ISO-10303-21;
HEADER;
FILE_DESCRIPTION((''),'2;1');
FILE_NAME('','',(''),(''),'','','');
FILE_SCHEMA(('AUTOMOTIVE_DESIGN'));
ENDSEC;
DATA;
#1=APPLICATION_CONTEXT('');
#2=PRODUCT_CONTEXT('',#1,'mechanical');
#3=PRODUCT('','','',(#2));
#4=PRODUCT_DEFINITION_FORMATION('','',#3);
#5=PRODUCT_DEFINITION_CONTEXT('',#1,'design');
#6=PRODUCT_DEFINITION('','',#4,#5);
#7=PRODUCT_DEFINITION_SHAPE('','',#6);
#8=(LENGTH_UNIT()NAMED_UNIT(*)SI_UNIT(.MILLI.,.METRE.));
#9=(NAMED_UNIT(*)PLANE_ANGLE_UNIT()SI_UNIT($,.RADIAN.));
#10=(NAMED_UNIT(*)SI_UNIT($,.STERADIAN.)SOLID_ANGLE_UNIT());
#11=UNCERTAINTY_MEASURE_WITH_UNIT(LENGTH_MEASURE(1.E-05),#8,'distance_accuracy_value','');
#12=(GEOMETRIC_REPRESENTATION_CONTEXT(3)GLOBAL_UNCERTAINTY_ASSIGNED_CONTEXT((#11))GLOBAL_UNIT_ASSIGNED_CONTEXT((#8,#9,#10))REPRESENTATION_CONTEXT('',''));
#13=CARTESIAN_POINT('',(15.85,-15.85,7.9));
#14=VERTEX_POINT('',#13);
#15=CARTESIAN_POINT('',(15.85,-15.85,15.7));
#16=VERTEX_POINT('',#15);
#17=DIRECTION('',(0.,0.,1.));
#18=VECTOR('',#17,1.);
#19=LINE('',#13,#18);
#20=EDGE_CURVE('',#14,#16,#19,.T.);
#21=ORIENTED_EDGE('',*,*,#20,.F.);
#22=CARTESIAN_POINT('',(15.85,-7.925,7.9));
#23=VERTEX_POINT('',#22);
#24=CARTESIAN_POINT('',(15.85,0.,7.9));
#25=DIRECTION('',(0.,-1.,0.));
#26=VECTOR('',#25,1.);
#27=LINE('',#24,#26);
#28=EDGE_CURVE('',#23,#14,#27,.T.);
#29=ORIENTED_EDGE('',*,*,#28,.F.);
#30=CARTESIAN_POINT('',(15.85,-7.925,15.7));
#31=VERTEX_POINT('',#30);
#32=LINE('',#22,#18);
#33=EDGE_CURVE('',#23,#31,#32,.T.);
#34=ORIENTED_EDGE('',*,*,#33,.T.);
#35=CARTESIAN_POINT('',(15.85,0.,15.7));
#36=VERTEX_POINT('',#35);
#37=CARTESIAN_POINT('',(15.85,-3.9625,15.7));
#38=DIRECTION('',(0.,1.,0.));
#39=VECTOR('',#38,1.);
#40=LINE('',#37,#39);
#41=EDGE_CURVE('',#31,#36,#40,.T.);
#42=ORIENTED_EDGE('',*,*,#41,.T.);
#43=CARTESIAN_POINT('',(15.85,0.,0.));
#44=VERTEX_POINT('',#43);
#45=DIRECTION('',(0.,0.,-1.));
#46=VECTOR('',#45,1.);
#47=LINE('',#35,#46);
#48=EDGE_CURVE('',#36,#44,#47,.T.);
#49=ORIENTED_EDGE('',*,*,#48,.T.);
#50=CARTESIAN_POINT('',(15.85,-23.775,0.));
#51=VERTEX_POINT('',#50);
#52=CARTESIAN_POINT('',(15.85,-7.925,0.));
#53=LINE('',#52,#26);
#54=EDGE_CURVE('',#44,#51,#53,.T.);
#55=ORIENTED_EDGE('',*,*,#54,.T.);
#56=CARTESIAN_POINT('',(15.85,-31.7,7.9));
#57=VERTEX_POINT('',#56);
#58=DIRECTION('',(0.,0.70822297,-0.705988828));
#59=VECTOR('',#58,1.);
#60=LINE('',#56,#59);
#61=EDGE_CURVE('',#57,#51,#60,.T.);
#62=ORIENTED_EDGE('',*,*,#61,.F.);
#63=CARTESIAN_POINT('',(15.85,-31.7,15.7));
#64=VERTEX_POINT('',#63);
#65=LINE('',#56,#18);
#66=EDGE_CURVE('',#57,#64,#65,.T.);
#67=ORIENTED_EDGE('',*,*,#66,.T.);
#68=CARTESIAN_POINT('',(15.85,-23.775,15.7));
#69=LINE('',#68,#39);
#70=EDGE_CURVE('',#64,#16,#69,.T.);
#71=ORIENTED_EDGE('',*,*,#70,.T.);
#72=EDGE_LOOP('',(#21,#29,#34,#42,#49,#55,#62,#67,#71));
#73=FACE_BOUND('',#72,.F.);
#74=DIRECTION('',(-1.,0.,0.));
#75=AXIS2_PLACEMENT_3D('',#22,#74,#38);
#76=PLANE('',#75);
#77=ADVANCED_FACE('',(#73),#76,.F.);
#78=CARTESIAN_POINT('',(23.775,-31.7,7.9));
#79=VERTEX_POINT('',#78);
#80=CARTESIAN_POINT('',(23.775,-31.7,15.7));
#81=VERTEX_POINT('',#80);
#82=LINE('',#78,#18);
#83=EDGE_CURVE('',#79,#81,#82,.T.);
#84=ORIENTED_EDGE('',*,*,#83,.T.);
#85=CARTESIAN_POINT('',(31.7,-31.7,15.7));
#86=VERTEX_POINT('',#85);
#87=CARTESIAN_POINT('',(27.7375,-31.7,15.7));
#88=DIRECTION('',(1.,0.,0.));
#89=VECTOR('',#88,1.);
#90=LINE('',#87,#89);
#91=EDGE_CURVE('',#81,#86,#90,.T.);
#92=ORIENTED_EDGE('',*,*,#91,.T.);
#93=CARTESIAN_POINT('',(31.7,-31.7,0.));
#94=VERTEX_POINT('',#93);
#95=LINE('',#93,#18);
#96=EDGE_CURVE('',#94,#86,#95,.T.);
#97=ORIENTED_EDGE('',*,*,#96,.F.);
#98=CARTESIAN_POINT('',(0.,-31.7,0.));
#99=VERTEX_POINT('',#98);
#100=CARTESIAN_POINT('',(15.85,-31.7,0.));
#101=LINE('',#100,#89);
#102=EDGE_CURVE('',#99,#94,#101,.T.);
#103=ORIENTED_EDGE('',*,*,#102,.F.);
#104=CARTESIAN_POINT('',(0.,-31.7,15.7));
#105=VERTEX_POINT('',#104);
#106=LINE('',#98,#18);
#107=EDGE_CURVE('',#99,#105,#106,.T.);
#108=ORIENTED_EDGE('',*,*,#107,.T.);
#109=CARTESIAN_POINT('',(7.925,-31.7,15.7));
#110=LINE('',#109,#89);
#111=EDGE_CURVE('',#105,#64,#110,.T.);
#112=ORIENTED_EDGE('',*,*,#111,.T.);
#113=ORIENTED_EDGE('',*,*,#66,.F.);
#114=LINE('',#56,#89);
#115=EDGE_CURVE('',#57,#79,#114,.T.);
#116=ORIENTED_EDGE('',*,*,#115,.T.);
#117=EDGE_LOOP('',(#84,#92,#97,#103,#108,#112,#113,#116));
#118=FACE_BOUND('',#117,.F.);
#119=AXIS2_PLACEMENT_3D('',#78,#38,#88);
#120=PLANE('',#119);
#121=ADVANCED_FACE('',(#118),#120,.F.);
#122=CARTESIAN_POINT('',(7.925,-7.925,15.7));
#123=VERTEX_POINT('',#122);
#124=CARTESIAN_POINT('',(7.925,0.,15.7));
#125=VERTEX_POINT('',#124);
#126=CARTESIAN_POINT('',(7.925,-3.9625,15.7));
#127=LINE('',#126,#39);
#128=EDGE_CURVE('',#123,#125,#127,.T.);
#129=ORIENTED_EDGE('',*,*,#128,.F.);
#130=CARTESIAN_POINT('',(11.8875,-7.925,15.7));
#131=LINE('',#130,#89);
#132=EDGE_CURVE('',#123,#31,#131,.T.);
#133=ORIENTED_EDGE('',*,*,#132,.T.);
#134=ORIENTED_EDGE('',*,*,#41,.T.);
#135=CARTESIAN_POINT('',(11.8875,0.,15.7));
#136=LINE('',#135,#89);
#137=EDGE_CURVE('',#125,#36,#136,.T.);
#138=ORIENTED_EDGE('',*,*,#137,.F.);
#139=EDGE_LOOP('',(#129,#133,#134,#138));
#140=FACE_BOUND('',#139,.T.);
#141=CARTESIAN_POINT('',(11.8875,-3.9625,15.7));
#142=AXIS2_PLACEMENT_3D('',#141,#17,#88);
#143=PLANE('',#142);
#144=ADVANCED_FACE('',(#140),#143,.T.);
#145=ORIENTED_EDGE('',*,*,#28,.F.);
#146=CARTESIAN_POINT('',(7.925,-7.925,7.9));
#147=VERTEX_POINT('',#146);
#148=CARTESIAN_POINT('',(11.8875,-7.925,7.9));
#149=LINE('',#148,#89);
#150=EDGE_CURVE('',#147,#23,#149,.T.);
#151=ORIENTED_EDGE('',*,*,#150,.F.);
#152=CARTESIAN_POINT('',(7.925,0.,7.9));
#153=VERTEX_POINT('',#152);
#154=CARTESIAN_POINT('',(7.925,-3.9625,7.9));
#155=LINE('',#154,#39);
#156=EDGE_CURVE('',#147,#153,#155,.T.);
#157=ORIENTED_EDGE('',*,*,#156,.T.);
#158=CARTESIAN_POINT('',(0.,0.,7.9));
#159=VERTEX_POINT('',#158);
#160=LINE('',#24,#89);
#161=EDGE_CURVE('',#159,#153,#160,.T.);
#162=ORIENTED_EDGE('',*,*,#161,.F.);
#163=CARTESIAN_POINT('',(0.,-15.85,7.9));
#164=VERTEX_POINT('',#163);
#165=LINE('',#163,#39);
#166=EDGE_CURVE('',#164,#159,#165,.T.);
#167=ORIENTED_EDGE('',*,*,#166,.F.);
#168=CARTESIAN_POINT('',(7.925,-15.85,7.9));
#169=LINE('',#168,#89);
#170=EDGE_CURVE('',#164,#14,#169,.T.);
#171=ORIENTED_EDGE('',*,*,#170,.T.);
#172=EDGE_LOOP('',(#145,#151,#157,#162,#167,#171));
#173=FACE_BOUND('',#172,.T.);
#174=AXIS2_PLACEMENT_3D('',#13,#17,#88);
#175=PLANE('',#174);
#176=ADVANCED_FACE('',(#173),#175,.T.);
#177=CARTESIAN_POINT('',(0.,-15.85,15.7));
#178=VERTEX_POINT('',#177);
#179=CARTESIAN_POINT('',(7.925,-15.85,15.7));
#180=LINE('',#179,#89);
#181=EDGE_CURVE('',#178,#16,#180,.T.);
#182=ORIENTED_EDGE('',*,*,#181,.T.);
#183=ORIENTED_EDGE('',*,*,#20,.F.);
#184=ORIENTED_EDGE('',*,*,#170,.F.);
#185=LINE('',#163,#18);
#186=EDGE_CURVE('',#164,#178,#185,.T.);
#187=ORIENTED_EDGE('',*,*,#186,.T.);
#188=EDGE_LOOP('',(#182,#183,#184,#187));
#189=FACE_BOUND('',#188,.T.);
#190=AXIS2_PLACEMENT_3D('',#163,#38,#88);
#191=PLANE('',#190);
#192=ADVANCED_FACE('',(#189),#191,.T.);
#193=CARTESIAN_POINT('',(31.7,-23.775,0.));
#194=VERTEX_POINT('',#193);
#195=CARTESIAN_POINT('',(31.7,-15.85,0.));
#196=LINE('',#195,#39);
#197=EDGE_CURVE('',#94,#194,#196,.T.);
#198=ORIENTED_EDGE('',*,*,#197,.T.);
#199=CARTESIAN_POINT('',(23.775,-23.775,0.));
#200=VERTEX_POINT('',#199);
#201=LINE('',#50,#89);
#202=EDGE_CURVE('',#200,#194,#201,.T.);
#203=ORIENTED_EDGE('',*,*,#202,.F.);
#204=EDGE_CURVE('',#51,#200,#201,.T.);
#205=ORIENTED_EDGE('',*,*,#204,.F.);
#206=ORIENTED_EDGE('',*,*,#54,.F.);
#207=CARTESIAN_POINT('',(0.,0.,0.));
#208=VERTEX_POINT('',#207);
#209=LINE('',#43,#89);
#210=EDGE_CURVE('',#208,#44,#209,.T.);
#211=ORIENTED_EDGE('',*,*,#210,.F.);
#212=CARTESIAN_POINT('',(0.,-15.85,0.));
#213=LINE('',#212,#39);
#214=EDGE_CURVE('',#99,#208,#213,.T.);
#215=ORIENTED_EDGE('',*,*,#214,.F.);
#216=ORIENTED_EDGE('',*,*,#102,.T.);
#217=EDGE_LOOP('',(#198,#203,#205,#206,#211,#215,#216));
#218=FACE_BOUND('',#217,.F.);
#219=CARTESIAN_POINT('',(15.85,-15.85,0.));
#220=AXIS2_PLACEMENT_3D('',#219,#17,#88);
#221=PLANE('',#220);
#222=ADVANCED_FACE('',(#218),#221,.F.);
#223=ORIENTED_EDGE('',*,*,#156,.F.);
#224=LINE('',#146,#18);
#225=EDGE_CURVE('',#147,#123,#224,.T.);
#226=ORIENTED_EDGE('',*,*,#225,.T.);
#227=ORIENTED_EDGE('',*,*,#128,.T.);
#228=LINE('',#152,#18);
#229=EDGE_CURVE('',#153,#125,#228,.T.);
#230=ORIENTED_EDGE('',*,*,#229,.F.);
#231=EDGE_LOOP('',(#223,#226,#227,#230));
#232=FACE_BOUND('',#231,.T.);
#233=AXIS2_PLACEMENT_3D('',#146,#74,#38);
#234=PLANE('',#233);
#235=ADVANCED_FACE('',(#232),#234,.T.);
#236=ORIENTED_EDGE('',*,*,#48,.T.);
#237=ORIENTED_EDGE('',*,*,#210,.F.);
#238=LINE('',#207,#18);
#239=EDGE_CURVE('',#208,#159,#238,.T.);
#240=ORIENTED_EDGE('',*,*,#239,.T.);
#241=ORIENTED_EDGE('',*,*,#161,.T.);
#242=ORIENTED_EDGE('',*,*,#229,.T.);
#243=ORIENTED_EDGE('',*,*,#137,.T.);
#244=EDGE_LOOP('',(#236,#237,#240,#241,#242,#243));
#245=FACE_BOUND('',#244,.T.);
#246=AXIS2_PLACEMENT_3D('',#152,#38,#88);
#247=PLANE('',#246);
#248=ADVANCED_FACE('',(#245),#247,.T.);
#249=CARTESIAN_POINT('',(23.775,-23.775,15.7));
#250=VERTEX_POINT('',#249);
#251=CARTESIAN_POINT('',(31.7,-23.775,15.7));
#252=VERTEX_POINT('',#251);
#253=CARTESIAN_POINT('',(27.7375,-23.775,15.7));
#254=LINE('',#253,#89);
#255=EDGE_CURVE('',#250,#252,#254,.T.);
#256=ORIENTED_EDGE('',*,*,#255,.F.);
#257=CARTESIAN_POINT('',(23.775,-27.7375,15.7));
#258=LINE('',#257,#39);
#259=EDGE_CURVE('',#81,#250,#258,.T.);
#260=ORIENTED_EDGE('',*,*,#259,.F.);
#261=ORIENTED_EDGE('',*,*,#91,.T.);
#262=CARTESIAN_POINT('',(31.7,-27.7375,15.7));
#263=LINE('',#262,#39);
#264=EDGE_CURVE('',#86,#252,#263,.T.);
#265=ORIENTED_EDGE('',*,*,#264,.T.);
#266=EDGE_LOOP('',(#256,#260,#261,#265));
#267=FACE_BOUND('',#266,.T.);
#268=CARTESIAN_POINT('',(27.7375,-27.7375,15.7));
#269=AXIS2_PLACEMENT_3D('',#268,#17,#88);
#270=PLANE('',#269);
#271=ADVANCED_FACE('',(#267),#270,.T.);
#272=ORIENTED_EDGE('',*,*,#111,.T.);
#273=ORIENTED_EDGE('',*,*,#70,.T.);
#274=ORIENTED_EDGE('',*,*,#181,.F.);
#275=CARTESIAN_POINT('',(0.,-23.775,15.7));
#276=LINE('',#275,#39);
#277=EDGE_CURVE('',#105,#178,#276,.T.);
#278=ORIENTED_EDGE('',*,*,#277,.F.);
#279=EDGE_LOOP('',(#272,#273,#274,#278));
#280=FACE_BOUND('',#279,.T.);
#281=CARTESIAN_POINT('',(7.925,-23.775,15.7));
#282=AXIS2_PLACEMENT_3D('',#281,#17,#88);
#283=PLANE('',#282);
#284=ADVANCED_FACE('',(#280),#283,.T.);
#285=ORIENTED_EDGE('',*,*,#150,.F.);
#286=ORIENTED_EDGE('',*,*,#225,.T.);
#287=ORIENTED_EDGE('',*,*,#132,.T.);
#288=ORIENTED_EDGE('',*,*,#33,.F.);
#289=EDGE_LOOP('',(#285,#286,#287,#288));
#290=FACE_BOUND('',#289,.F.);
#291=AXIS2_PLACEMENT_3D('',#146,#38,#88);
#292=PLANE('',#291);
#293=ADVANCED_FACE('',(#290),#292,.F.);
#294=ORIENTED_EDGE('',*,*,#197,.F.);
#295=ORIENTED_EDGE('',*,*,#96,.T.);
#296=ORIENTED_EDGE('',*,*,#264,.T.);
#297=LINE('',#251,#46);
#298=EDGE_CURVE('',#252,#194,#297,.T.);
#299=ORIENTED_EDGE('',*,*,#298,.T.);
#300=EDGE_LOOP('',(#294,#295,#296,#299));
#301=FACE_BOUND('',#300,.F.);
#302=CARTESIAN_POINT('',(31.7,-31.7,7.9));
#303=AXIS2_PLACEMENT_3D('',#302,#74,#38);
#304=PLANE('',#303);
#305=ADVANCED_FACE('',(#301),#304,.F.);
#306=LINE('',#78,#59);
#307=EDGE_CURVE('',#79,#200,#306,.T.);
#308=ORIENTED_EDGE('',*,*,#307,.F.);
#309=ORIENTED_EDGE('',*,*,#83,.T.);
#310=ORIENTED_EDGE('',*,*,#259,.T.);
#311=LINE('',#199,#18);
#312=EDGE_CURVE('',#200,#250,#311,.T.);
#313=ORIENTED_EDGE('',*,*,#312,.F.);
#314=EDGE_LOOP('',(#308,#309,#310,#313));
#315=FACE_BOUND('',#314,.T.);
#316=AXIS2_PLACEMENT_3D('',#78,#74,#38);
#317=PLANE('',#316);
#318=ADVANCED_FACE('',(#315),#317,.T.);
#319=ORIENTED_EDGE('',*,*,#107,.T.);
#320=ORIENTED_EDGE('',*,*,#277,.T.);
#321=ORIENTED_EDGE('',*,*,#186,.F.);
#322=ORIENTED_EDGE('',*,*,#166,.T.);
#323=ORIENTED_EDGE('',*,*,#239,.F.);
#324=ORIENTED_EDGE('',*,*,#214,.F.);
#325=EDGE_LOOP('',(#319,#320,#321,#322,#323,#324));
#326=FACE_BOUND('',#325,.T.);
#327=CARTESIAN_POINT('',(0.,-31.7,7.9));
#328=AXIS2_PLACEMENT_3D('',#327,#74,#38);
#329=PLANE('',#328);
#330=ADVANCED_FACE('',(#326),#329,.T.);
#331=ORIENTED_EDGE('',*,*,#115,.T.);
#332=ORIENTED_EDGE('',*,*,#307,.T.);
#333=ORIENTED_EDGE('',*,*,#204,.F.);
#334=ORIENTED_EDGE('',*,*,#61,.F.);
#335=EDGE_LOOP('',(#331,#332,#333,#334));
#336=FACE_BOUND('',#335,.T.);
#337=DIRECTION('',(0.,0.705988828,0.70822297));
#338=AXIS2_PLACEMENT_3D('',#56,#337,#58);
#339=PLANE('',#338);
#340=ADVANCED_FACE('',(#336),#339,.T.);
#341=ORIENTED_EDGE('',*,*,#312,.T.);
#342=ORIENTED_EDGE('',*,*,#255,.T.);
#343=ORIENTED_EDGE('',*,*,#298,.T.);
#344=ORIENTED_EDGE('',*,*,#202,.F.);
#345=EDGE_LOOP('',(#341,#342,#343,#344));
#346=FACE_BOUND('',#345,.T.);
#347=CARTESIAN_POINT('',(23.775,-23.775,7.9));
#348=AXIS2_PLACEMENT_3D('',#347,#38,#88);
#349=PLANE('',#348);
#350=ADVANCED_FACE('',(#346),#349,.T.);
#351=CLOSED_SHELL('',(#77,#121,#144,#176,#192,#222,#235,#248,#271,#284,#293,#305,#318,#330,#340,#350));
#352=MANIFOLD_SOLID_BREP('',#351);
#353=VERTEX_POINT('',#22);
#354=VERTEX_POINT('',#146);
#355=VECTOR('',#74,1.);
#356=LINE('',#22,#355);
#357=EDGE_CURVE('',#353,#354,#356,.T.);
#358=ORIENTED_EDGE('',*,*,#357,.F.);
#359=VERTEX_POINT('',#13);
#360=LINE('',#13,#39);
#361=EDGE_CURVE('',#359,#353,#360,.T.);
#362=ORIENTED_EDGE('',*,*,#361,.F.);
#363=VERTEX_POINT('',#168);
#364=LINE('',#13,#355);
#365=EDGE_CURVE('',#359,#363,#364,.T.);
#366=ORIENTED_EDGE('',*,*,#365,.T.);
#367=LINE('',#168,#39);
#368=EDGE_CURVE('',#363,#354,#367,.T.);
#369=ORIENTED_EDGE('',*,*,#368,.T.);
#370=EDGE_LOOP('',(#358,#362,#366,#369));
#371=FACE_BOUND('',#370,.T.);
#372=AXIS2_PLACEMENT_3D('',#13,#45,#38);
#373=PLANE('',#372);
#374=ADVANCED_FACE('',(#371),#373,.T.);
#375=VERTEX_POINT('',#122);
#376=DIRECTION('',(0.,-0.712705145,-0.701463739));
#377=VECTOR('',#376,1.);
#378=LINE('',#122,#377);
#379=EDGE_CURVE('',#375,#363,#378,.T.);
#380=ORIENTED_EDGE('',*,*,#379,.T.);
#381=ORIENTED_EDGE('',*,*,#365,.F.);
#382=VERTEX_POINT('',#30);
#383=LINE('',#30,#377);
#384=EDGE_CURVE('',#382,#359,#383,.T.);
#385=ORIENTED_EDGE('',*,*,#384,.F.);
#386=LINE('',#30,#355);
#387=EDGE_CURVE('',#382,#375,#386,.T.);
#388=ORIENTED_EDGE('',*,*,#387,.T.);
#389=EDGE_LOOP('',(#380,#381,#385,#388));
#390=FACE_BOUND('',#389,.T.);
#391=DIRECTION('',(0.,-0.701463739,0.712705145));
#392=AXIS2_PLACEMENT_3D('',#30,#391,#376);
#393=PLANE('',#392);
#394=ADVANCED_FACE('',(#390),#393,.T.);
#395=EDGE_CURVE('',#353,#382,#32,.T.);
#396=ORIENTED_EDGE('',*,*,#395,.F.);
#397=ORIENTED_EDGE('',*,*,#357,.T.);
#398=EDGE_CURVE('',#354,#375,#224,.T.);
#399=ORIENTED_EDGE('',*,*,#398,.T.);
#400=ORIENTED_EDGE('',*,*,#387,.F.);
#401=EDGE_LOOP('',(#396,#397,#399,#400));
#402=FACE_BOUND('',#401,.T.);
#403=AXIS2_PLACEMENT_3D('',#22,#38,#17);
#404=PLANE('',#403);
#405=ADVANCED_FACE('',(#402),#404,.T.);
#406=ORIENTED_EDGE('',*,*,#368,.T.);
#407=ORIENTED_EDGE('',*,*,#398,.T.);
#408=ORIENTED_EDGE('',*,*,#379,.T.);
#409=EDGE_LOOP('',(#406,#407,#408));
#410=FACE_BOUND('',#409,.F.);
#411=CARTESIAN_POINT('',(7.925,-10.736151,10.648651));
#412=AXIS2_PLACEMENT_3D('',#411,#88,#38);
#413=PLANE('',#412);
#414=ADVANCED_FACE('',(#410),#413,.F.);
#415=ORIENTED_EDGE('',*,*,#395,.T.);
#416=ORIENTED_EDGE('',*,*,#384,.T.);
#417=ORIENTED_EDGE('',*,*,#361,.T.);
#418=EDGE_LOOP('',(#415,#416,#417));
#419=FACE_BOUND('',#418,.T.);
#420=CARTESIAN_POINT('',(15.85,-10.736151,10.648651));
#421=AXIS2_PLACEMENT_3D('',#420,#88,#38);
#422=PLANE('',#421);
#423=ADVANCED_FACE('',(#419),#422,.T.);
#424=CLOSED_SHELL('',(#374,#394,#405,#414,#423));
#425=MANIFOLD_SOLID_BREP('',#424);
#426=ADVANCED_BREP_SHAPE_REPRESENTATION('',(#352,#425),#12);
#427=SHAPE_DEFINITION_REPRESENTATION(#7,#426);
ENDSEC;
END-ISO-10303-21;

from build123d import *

# Parameters (mm, degrees)
F0_W      = 31.7
F0_H      = 31.7
F1_DEPTH  = 7.9
F2_W      = 15.85
F2_H      = 15.85
F3_DEPTH  = 7.8
F5_DEPTH  = 25
F6_W      = 7.925
F6_H      = 7.925
F7_DEPTH  = 7.8
F8_W      = 7.925
F8_H      = 7.925
F9_DEPTH  = 7.8
F11_DEPTH = 7.925
F13_DEPTH = 7.925


with BuildPart() as f1:
    # F0 (on Top) → F1 (new body)
    with BuildSketch(Plane.XY):
        with Locations((15.85, -15.85)):
            Rectangle(F0_W, F0_H)
    extrude(amount=F1_DEPTH)

    # F2 (on face) → F3 (join)
    with BuildSketch(Plane.XY.offset(7.9)):
        with Locations((7.925, -23.775)):
            Rectangle(F2_W, F2_H)
    extrude(amount=F3_DEPTH)

    # F4 (on face) → F5 (cut)
    with BuildSketch(Plane.XY.offset(7.9)):
        Polygon((15.85, 0), (15.85, -15.85), (15.85, -23.775), (31.7, -23.775), (31.7, 0), align=None)
    extrude(amount=-F5_DEPTH, mode=Mode.SUBTRACT)

    # F6 (on face) → F7 (join)
    with BuildSketch(Plane.XY.offset(7.9)):
        with Locations((27.7375, -27.7375)):
            Rectangle(F6_W, F6_H)
    extrude(amount=F7_DEPTH)

    # F8 (on face) → F9 (join)
    with BuildSketch(Plane.XY.offset(7.9)):
        with Locations((11.8875, -3.9625)):
            Rectangle(F8_W, F8_H)
    extrude(amount=F9_DEPTH)

    # F12 (on face) → F13 (cut, through all)
    with BuildSketch(Plane.YZ.offset(15.85)):
        Polygon((-23.775, 7.9), (-31.7, 7.9), (-23.775, 0), align=None)
    extrude(amount=F13_DEPTH, mode=Mode.SUBTRACT)


with BuildPart() as f11:
    # F10 (on face) → F11 (new body, through all)
    with BuildSketch(Plane.YZ.offset(15.85)):
        Polygon((-7.925, 7.9), (-7.925, 15.7), (-15.85, 7.9), align=None)
    extrude(amount=-F11_DEPTH)


solid = Compound([f1.part, f11.part])
